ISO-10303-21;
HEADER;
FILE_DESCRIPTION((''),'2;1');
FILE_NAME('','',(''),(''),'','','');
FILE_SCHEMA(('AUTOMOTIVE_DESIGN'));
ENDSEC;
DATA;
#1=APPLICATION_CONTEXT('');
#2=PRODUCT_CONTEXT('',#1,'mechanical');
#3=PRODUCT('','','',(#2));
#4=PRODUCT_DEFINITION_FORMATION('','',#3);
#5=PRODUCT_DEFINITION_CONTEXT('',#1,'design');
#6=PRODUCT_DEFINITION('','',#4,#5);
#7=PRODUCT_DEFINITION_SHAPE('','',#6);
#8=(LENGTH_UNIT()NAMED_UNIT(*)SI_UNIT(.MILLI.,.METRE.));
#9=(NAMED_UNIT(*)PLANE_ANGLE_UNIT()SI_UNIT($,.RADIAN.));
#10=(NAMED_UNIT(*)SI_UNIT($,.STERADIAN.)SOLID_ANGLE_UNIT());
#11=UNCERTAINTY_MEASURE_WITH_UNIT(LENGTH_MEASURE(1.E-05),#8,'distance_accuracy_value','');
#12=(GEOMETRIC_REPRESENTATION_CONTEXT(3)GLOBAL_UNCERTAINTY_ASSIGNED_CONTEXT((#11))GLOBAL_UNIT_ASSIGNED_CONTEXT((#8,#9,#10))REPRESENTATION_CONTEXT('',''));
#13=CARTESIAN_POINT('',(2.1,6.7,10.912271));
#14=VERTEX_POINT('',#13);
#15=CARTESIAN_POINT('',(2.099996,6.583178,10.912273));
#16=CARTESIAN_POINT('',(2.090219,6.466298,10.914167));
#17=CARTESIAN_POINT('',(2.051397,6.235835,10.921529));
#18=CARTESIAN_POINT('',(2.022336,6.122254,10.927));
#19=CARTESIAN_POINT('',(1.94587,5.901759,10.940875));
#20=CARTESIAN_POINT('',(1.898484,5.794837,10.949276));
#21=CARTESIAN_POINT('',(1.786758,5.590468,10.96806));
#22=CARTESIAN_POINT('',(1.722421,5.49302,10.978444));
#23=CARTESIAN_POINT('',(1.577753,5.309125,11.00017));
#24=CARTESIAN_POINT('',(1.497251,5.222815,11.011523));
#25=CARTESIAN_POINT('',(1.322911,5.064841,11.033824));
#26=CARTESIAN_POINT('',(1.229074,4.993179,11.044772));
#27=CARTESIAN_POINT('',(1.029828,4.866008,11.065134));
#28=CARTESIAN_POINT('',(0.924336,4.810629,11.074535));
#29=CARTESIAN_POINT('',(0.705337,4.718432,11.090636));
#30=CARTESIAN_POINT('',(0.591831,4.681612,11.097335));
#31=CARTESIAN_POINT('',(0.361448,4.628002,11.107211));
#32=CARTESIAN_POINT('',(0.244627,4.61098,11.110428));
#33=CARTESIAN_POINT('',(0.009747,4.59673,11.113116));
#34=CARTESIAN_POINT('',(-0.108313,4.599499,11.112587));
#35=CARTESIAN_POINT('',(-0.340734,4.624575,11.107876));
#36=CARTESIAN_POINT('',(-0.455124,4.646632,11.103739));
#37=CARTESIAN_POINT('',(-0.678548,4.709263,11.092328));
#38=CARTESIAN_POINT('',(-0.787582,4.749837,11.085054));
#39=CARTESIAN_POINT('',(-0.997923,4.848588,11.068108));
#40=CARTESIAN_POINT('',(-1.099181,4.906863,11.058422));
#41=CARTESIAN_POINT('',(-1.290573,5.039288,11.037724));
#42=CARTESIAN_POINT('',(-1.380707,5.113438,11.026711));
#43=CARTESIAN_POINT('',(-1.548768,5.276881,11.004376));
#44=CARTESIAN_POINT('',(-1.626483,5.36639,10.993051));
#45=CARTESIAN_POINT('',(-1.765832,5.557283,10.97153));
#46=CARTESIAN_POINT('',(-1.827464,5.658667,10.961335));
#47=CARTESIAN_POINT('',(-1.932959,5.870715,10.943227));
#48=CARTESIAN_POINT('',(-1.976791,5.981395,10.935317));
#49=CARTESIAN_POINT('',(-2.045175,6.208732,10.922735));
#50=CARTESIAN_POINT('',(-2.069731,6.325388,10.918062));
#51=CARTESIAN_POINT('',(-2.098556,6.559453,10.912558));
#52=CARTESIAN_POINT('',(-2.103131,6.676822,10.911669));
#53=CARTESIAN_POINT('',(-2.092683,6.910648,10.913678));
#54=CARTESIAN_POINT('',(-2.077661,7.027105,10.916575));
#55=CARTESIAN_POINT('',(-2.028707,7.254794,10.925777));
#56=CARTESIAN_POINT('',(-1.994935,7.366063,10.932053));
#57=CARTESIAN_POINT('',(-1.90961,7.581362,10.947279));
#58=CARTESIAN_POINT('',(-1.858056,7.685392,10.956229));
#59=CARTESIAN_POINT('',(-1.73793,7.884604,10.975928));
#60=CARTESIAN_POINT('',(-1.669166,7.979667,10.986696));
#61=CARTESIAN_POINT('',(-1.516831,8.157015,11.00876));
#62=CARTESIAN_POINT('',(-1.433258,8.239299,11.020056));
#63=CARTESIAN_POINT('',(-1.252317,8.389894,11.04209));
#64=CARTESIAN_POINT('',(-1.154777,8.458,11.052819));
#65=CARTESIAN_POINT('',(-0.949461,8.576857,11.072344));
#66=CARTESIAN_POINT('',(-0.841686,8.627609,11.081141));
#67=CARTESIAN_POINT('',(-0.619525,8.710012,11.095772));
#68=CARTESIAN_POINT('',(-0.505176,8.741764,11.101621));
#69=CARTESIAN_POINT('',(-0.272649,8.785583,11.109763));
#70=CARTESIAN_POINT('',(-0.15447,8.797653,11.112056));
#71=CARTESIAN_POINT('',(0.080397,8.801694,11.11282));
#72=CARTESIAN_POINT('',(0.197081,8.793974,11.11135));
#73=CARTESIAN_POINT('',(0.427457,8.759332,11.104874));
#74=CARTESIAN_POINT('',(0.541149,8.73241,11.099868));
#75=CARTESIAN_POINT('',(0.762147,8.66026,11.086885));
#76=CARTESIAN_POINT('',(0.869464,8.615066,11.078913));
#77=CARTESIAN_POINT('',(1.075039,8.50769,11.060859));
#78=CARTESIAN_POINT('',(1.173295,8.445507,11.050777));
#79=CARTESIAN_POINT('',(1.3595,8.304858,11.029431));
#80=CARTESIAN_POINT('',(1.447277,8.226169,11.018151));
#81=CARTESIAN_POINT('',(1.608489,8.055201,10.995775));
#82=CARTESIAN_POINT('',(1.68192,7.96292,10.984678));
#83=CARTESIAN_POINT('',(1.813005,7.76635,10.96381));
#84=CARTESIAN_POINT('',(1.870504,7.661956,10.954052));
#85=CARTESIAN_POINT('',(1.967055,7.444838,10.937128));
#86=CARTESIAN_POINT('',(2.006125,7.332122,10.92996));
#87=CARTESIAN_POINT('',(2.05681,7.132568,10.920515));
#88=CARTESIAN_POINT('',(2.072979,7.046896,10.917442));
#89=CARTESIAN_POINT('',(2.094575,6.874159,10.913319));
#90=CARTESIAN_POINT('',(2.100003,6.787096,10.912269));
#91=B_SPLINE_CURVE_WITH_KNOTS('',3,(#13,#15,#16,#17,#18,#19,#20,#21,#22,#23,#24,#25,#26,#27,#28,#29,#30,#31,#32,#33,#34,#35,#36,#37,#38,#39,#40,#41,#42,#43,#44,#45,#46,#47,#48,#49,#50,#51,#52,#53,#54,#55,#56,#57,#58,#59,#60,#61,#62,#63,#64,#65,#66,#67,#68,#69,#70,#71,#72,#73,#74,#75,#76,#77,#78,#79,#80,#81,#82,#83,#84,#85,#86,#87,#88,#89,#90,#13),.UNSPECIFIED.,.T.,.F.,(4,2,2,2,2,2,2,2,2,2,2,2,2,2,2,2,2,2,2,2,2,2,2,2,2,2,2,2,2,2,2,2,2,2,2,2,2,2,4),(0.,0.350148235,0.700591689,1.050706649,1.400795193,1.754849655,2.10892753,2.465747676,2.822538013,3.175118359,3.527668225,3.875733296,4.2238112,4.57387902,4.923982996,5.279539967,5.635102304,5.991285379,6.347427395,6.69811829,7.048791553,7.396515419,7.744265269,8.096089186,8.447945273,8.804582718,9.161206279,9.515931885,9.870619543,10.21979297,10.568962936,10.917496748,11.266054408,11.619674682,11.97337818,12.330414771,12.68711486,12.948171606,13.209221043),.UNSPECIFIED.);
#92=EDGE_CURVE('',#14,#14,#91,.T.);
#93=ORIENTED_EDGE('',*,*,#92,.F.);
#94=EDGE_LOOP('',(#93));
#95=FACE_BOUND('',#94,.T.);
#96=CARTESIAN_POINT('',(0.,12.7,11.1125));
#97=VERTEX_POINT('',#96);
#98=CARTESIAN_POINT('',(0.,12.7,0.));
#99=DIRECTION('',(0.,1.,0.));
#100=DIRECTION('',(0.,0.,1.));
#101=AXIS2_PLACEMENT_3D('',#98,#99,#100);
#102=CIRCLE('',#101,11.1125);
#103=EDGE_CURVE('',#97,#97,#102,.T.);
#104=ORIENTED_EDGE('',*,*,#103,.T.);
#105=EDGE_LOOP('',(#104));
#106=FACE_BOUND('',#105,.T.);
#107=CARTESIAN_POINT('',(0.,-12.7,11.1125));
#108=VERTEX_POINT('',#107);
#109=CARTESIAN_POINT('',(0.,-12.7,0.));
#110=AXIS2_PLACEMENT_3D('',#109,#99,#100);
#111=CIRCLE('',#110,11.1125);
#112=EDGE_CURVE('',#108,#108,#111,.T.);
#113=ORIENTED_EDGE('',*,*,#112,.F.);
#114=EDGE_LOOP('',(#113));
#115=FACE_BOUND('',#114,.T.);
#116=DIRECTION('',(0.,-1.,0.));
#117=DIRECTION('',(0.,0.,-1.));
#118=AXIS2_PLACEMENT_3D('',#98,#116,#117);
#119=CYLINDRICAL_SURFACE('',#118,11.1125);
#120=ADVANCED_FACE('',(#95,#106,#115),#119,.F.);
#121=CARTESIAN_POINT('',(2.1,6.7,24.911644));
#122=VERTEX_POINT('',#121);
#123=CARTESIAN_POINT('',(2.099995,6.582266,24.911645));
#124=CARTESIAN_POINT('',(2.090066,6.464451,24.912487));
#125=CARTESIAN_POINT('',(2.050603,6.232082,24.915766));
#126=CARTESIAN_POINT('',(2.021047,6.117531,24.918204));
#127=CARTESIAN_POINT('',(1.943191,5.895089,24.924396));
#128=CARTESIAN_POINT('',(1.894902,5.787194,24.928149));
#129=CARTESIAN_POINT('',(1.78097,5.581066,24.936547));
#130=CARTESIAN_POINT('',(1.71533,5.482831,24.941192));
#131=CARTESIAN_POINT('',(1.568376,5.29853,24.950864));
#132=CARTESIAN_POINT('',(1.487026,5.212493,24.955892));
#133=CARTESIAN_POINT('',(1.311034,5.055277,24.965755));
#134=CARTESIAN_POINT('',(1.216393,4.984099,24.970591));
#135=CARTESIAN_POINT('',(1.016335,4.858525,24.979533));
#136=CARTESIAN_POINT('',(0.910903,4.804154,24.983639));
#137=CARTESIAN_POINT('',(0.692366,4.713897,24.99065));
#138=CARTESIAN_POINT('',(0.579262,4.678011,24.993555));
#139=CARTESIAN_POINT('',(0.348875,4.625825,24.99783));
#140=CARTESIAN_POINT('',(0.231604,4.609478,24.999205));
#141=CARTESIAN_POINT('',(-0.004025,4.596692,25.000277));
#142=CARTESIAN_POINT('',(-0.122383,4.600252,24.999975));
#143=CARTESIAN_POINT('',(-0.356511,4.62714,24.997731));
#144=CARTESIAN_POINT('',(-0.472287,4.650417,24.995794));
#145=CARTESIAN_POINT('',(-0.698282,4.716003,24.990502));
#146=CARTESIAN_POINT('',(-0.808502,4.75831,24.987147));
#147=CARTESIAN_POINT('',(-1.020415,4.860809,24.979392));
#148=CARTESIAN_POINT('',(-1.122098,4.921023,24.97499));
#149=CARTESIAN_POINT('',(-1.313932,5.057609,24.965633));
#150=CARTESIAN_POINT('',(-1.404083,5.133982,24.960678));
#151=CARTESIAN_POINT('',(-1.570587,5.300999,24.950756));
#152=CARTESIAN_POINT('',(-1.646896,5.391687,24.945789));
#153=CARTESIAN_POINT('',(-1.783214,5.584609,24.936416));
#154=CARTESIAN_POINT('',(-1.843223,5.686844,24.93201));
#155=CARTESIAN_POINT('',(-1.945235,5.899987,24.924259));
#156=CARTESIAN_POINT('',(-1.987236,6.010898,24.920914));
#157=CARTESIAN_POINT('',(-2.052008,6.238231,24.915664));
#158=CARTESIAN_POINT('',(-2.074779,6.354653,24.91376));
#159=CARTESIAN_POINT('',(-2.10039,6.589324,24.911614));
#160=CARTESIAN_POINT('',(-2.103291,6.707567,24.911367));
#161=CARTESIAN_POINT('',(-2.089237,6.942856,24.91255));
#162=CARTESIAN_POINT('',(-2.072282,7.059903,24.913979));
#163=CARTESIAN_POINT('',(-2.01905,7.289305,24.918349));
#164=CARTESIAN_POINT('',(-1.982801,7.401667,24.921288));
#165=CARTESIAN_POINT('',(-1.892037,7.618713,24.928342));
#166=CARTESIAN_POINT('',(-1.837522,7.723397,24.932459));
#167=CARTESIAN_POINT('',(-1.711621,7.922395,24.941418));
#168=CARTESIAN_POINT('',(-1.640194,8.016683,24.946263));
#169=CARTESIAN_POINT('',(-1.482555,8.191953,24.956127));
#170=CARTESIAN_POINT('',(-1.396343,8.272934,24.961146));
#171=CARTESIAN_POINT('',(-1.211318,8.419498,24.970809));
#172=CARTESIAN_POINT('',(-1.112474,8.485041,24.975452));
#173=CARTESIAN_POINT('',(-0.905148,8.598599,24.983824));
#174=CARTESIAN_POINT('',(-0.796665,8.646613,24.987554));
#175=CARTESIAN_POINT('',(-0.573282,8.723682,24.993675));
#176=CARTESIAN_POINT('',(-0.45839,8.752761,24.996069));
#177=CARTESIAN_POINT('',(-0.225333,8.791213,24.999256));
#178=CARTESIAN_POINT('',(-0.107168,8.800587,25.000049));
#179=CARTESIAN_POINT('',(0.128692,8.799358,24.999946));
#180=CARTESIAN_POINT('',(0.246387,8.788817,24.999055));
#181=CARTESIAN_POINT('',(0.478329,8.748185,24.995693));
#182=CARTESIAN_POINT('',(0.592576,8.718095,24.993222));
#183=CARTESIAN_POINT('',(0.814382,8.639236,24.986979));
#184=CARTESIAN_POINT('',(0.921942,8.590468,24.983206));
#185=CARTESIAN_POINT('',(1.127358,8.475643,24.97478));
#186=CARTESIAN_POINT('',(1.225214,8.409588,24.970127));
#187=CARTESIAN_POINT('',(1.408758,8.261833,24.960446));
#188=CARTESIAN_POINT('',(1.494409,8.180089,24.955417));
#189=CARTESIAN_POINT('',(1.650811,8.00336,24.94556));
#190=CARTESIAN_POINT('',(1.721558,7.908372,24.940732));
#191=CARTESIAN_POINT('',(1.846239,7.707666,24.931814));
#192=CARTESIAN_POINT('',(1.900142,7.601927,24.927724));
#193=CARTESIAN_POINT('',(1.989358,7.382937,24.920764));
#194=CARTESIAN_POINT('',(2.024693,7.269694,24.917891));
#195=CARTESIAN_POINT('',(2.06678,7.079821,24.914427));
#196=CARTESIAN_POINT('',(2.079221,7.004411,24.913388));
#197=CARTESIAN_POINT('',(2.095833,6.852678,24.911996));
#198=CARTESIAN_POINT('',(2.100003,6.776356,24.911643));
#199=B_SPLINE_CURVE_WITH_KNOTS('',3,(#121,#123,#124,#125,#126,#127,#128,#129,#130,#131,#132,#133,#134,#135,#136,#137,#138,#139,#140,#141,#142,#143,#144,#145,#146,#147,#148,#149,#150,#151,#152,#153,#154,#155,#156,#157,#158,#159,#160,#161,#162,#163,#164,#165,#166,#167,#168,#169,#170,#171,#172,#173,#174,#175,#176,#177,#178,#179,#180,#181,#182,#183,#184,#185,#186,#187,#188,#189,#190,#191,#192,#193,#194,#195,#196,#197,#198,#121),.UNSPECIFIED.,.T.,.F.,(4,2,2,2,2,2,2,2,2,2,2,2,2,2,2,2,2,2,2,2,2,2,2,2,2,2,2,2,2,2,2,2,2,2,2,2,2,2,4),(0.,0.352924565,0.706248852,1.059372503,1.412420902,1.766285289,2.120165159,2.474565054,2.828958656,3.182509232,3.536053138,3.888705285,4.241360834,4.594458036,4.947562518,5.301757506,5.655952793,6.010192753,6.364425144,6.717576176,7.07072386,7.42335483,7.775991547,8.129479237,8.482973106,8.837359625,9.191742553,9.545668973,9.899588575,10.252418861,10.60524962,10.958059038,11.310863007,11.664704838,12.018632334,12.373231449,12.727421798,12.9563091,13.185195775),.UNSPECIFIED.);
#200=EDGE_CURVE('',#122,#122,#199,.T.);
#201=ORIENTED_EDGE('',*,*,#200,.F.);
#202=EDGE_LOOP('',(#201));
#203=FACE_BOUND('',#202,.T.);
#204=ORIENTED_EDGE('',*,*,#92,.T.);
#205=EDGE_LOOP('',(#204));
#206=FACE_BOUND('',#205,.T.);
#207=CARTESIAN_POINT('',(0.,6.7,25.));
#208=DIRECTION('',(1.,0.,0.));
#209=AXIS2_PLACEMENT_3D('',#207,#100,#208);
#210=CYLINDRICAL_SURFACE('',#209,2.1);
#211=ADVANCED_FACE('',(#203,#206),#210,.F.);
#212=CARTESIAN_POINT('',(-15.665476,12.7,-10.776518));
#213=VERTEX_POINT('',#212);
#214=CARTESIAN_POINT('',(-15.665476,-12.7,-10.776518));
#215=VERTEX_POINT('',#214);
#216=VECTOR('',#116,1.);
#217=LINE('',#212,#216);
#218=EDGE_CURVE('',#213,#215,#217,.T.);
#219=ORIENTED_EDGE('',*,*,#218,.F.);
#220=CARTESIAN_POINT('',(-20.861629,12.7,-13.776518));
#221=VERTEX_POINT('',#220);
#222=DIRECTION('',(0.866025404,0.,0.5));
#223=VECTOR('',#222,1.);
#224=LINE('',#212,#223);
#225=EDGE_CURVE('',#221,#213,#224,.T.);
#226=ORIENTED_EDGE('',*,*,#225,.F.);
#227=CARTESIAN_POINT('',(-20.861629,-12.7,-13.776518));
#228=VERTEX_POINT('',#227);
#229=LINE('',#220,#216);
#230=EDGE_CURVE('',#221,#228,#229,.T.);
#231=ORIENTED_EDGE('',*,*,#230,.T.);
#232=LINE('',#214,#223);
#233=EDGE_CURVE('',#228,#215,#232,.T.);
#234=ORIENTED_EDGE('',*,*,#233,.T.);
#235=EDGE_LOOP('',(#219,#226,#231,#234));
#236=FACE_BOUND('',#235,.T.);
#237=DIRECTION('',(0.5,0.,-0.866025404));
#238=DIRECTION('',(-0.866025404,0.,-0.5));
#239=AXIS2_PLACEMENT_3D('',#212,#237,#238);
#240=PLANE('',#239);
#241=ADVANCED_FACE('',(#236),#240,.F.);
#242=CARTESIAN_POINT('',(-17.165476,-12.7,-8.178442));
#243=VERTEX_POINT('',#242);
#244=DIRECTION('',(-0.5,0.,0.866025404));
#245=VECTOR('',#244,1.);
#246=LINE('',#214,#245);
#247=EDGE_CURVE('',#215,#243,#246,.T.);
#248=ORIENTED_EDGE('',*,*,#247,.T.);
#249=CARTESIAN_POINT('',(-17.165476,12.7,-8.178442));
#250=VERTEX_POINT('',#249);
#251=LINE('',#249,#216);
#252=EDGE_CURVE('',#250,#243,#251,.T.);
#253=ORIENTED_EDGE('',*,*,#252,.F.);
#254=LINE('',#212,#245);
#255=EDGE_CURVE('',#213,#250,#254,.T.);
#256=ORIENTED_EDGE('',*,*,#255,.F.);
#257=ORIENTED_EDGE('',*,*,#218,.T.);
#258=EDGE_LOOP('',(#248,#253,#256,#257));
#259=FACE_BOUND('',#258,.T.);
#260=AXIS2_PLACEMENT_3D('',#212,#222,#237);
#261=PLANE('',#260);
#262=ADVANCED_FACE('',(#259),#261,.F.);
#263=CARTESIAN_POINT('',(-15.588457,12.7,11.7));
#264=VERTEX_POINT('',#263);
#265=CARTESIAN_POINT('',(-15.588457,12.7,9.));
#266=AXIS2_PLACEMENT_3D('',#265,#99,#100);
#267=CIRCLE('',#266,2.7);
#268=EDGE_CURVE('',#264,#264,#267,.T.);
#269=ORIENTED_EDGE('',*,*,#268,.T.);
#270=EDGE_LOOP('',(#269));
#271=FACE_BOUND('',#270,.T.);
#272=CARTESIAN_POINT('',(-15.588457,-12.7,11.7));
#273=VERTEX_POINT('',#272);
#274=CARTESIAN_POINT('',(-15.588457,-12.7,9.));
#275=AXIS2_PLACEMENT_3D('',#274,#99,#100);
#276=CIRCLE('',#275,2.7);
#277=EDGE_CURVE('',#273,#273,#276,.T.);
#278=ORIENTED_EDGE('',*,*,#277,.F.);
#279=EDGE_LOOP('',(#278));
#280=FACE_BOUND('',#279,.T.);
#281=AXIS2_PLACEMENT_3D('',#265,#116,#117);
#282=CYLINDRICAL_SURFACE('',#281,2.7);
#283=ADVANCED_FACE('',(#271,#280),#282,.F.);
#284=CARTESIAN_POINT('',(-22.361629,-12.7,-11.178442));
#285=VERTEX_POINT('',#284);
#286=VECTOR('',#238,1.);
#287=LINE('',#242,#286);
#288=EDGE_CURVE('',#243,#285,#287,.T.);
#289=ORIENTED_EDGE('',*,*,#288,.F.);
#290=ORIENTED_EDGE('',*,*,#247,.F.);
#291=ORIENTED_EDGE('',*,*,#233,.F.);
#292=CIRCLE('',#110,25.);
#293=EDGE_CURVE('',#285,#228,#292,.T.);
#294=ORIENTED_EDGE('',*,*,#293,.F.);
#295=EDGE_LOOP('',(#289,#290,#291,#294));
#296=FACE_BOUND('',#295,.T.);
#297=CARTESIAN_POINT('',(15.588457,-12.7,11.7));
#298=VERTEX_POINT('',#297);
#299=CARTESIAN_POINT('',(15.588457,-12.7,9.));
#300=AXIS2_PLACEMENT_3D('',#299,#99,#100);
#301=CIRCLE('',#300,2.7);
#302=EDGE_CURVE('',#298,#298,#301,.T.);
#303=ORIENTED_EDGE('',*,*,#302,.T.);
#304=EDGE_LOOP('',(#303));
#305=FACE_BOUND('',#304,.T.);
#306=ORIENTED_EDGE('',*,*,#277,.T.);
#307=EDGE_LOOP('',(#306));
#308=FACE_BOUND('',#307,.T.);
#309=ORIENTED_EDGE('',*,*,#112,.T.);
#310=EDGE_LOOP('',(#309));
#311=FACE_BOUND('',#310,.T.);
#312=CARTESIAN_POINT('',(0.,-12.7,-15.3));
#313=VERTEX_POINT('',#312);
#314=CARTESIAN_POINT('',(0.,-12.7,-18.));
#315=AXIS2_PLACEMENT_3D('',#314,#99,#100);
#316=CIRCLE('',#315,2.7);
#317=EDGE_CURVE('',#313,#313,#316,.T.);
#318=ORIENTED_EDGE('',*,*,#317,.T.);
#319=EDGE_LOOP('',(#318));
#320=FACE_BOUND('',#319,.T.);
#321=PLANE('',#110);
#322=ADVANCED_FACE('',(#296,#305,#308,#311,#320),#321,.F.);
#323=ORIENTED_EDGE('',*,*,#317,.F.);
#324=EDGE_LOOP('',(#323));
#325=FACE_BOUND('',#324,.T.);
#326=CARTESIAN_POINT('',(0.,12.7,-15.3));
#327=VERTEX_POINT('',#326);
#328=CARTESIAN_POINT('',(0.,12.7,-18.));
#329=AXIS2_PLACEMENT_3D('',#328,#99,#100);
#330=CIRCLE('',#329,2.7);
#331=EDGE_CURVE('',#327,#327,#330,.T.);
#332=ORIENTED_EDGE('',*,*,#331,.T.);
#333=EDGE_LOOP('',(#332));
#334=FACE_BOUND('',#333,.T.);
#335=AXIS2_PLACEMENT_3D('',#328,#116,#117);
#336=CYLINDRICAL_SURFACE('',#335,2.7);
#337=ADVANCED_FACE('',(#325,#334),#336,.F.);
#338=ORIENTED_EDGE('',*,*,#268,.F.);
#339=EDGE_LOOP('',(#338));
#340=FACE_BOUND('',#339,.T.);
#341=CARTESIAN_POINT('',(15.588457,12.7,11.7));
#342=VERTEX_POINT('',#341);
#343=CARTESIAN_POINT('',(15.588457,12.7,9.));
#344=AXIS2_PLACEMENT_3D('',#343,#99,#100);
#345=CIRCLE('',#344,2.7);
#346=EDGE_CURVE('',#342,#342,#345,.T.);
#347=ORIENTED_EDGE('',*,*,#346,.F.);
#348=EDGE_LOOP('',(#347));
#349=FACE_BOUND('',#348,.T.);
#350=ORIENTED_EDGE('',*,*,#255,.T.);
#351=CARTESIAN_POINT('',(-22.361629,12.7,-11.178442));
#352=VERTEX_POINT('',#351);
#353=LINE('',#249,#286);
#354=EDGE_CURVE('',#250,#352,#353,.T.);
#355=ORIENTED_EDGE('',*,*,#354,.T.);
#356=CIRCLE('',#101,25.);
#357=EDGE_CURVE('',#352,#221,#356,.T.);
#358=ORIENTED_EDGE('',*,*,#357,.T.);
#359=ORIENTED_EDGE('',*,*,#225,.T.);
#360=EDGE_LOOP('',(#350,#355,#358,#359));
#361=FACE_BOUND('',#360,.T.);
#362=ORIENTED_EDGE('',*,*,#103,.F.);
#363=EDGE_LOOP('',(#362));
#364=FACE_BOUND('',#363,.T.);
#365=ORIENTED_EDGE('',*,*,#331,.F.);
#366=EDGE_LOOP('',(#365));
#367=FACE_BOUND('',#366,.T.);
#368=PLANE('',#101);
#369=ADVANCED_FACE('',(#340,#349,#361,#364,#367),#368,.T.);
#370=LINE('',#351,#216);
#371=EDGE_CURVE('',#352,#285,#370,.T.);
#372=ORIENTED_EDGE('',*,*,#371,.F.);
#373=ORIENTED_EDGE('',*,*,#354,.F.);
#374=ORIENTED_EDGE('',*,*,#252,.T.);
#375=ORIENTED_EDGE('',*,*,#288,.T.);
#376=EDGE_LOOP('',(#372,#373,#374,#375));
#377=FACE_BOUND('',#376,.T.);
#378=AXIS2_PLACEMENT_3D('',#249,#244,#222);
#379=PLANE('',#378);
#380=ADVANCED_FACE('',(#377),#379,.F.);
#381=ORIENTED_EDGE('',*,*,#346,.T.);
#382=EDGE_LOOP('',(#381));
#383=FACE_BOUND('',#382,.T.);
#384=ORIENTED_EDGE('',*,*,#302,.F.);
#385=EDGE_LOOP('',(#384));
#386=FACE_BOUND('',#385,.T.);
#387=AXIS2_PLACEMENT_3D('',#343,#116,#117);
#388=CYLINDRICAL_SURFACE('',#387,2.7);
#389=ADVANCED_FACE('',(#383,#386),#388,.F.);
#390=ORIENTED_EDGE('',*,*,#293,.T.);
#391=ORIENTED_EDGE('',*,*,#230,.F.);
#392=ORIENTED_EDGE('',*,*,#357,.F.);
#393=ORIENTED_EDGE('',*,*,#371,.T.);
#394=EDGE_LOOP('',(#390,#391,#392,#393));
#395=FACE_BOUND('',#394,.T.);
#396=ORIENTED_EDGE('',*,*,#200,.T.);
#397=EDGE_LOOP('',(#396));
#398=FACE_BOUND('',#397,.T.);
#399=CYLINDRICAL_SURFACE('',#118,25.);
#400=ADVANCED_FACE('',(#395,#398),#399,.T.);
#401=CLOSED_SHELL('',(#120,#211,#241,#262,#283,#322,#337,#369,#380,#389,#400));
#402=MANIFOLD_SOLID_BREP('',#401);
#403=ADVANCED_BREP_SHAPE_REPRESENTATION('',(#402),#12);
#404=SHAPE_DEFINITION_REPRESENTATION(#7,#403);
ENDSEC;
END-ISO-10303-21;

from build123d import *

# Parameters (mm, degrees)
SKETCH1_R                  = 11.1125
SKETCH1_R_2                = 2.7
BOSS_EXTRUDE1_DEPTH        = 12.7
M5X0_8_TAPPED_HOLE1_REACH  = 61.172
M5X0_8_TAPPED_HOLE1_BORE_R = 2.1


with BuildPart() as part:
    # Sketch1 → Boss-Extrude1 (new, symmetric)
    with BuildSketch(Plane(origin=(0, 0, 0), x_dir=(1, 0, 0), z_dir=(0, 1, 0))):
        with BuildLine():
            Line((-15.665476391, 10.776517819), (-20.861628814, 13.776517819))
            ThreePointArc((-20.861628814, 13.776517819), (21.650635095, -12.5), (-22.361628814, 11.178441608))
            Line((-22.361628814, 11.178441608), (-17.165476391, 8.178441608))
            Line((-17.165476391, 8.178441608), (-15.665476391, 10.776517819))
        make_face()
        with Locations(Location((0, 0, 0), (0, 0, 270))):
            Circle(SKETCH1_R, mode=Mode.SUBTRACT)
        with Locations(Location((0, 18, 0), (0, 0, 270))):
            Circle(SKETCH1_R_2, mode=Mode.SUBTRACT)
        with Locations(Location((15.588457268, -9, 0), (0, 0, 270))):
            Circle(SKETCH1_R_2, mode=Mode.SUBTRACT)
        with Locations(Location((-15.588457268, -9, 0), (0, 0, 270))):
            Circle(SKETCH1_R_2, mode=Mode.SUBTRACT)
    extrude(amount=BOSS_EXTRUDE1_DEPTH, both=True)

    # M5x0.8 Tapped Hole1 bore (on position points) → M5x0.8 Tapped Hole1 (cut, up to next)
    with BuildSketch(Plane(origin=(0, 6.7, 25), x_dir=(1, 0, 0), z_dir=(0, 0, 1)), mode=Mode.PRIVATE) as m5x0_8_tapped_hole1_sk1:
        Circle(M5X0_8_TAPPED_HOLE1_BORE_R)
    m5x0_8_tapped_hole1_tool1 = extrude(m5x0_8_tapped_hole1_sk1.sketch, amount=-M5X0_8_TAPPED_HOLE1_REACH, mode=Mode.PRIVATE) & part.part
    add(m5x0_8_tapped_hole1_tool1.solids().sort_by_distance((0, 6.7, 25))[0], mode=Mode.SUBTRACT)


solid = part.part
